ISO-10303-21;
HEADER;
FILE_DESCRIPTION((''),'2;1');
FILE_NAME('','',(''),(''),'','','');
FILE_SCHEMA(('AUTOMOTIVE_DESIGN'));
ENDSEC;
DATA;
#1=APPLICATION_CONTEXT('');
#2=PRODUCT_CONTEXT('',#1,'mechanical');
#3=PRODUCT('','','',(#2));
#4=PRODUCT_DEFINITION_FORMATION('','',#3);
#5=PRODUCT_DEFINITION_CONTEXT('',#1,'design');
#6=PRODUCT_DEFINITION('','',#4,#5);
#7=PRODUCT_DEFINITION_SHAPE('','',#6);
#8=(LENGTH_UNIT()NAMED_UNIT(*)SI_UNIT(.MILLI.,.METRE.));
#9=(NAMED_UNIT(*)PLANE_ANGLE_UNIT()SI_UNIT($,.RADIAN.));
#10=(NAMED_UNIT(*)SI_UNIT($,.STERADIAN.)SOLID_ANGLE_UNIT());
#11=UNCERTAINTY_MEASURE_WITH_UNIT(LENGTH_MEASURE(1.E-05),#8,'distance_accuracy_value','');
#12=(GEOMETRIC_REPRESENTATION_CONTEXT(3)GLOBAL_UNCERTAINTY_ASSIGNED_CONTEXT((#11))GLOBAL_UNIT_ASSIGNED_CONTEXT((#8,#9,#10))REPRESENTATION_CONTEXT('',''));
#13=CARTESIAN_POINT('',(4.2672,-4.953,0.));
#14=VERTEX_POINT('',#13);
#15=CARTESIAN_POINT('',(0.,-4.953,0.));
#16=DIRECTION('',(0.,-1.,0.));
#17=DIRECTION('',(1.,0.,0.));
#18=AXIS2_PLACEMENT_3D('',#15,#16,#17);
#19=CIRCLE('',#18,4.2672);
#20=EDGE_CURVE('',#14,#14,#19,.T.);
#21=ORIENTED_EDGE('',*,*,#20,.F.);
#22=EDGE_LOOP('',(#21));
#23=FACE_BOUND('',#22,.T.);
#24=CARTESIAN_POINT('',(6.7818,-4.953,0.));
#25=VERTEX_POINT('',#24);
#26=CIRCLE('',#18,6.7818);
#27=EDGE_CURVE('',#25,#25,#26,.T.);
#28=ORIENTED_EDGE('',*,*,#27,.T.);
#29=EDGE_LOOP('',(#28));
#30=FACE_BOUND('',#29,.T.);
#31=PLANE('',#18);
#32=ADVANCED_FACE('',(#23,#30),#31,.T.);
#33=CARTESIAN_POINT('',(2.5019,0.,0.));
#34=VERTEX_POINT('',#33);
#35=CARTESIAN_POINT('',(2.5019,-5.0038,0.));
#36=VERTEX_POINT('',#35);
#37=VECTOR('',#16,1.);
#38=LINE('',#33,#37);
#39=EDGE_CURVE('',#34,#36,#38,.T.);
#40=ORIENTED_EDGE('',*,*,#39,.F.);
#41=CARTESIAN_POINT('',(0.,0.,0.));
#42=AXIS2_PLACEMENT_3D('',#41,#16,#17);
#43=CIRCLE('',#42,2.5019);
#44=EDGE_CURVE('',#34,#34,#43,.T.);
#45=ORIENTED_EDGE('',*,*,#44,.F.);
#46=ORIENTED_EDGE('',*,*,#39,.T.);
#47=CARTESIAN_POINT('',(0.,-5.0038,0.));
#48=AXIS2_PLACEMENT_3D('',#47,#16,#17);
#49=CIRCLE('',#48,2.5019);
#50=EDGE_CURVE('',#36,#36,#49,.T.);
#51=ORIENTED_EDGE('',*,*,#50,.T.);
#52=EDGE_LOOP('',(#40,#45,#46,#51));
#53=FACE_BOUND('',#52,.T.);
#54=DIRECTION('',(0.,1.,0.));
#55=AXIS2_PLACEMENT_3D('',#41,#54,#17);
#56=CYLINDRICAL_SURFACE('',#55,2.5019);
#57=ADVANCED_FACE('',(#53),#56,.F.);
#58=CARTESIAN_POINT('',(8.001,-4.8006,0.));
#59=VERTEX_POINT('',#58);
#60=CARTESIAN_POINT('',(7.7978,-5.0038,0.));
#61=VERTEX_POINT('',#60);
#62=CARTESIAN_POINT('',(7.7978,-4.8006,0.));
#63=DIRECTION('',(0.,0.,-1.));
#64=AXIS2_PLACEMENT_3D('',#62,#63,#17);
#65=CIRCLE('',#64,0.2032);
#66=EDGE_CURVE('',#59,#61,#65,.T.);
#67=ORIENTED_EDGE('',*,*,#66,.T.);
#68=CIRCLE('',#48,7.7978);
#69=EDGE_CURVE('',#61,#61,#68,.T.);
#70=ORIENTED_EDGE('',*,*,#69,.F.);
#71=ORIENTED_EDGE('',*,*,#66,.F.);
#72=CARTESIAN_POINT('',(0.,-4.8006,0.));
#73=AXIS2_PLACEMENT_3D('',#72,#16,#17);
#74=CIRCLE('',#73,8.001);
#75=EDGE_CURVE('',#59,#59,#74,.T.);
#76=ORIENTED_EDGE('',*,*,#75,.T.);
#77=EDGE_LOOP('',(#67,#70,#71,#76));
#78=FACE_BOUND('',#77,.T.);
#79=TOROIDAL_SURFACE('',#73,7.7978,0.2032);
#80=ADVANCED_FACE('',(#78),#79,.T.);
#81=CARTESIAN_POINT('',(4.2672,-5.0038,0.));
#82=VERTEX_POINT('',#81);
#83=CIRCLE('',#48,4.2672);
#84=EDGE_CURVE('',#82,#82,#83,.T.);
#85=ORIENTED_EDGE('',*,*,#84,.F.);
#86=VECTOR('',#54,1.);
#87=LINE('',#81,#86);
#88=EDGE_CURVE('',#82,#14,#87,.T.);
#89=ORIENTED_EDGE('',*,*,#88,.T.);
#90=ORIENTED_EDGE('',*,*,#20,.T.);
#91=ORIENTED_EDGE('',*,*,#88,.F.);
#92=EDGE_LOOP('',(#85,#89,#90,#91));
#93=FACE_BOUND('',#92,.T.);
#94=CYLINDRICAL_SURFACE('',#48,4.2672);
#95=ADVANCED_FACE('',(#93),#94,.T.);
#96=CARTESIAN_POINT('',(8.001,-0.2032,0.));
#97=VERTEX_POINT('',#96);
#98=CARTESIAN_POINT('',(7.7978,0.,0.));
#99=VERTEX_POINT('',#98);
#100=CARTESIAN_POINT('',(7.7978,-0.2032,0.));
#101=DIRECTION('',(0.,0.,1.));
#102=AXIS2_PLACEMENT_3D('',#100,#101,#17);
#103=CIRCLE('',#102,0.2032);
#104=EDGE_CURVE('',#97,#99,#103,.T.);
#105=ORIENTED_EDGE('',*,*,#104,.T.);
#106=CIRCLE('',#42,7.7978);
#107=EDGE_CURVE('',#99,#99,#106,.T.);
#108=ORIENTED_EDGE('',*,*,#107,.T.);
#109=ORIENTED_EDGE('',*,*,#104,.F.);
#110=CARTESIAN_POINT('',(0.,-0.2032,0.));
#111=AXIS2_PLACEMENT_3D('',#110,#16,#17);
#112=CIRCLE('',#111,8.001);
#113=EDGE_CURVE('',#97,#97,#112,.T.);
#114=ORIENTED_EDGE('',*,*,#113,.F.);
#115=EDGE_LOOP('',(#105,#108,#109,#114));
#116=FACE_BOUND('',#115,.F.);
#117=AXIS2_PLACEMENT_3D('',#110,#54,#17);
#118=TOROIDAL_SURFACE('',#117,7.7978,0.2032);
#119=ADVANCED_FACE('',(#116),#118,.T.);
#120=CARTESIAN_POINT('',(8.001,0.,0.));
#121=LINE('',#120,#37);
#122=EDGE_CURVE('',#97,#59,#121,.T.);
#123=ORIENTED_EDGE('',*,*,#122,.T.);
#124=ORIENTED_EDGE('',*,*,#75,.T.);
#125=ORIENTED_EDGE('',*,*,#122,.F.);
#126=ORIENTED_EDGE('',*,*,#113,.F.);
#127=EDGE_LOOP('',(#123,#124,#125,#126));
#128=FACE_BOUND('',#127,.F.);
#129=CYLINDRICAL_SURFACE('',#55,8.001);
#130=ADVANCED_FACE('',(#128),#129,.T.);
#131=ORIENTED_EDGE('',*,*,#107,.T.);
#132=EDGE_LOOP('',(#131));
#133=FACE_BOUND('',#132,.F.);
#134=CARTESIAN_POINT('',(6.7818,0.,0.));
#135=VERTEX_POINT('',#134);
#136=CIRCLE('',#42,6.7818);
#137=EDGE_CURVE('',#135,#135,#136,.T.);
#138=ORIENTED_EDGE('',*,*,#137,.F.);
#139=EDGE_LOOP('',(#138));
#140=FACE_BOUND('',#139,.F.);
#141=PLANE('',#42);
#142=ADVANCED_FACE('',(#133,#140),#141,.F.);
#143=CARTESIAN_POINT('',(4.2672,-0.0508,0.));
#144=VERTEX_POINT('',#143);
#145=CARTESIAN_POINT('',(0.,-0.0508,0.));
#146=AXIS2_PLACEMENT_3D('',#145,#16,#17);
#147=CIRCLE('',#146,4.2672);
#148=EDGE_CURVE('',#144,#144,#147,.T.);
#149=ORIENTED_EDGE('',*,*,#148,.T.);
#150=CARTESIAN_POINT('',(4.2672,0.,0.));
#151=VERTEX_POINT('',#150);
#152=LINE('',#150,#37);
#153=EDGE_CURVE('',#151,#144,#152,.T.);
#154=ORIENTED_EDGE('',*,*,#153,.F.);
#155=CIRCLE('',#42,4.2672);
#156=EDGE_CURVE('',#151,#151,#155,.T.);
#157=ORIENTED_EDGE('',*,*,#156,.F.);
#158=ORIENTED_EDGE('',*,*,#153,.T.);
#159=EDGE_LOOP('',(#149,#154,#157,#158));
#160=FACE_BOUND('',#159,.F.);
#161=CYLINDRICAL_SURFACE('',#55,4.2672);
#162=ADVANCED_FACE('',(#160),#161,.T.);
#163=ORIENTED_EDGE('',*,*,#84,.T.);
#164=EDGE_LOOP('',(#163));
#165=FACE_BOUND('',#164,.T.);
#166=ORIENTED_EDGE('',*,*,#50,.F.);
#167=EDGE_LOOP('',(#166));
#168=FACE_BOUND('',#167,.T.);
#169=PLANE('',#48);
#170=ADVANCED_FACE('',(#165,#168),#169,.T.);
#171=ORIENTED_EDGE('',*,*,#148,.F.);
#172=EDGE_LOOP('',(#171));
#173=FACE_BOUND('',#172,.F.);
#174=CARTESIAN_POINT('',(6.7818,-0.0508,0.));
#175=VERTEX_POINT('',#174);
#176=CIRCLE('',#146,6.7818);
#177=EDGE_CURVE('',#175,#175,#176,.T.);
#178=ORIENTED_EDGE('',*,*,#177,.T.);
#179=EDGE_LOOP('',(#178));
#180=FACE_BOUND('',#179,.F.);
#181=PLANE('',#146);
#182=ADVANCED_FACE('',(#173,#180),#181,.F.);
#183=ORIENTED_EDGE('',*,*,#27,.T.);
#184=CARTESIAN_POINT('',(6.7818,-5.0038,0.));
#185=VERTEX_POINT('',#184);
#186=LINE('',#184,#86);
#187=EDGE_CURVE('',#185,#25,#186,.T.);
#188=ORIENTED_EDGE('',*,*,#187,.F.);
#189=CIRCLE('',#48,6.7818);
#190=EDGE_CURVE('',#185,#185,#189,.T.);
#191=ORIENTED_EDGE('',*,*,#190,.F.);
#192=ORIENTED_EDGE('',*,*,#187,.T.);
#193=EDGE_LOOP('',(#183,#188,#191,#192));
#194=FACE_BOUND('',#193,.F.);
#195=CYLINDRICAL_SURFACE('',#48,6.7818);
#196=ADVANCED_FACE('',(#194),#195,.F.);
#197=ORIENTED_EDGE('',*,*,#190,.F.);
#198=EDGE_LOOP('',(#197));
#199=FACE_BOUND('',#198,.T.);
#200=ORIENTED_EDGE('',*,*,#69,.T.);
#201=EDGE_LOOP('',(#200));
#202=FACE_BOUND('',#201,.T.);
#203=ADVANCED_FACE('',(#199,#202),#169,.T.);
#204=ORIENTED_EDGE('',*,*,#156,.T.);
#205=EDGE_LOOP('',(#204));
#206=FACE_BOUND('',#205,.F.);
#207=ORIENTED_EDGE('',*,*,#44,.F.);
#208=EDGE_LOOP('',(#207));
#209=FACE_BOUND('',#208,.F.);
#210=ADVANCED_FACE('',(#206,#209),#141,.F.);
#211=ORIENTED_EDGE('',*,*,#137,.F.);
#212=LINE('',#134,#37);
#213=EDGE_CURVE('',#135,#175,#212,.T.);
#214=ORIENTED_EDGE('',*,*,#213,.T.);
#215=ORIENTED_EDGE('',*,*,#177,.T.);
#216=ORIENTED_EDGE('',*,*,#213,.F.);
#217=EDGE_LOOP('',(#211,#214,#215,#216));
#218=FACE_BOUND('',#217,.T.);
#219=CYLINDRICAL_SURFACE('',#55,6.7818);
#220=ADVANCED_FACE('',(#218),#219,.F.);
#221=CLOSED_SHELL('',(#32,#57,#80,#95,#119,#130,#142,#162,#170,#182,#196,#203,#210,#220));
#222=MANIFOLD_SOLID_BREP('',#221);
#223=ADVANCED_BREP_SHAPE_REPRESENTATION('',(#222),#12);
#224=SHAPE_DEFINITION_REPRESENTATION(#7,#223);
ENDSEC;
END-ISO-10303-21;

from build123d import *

# Parameters (mm, degrees)
F0_R        = 8.001
F0_R_2      = 2.5019
F1_DEPTH    = 5.0038
F2_R        = 6.7818
F2_R_2      = 4.2672
F1_FACE_R   = 8.001
F1_FACE_R_2 = 2.5019
F3_DEPTH    = 0.0508
F4_R        = 6.7818
F4_R_2      = 4.2672
F5_DEPTH    = 0.0508
F6_R        = 0.2032


with BuildPart() as f1:
    # F0 (on Front) → F1 (new body)
    with BuildSketch(Plane.XZ):
        Circle(F0_R)
        Circle(F0_R_2, mode=Mode.SUBTRACT)
    extrude(amount=F1_DEPTH)

    # F2 (on Front) + F1_face (on face) → F3 (cut)
    with BuildSketch(Plane.XZ):
        Circle(F2_R)
        Circle(F2_R_2, mode=Mode.SUBTRACT)
    with BuildSketch(Plane.XZ.offset(5.0038)):
        Circle(F1_FACE_R)
        Circle(F1_FACE_R_2, mode=Mode.SUBTRACT)
    extrude(amount=F3_DEPTH, mode=Mode.SUBTRACT)

    # F4 (on face) → F5 (cut)
    with BuildSketch(Plane.XZ.offset(5.0038)):
        Circle(F4_R)
        Circle(F4_R_2, mode=Mode.SUBTRACT)
    extrude(amount=-F5_DEPTH, mode=Mode.SUBTRACT)

    # F6
    f6_edges = [f1.edges().sort_by_distance(p)[0] for p in [
        (-8.001, -5.0038, 0),
        (-8.001, 0, 0),
    ]]
    fillet(f6_edges, radius=F6_R)


solid = f1.part
